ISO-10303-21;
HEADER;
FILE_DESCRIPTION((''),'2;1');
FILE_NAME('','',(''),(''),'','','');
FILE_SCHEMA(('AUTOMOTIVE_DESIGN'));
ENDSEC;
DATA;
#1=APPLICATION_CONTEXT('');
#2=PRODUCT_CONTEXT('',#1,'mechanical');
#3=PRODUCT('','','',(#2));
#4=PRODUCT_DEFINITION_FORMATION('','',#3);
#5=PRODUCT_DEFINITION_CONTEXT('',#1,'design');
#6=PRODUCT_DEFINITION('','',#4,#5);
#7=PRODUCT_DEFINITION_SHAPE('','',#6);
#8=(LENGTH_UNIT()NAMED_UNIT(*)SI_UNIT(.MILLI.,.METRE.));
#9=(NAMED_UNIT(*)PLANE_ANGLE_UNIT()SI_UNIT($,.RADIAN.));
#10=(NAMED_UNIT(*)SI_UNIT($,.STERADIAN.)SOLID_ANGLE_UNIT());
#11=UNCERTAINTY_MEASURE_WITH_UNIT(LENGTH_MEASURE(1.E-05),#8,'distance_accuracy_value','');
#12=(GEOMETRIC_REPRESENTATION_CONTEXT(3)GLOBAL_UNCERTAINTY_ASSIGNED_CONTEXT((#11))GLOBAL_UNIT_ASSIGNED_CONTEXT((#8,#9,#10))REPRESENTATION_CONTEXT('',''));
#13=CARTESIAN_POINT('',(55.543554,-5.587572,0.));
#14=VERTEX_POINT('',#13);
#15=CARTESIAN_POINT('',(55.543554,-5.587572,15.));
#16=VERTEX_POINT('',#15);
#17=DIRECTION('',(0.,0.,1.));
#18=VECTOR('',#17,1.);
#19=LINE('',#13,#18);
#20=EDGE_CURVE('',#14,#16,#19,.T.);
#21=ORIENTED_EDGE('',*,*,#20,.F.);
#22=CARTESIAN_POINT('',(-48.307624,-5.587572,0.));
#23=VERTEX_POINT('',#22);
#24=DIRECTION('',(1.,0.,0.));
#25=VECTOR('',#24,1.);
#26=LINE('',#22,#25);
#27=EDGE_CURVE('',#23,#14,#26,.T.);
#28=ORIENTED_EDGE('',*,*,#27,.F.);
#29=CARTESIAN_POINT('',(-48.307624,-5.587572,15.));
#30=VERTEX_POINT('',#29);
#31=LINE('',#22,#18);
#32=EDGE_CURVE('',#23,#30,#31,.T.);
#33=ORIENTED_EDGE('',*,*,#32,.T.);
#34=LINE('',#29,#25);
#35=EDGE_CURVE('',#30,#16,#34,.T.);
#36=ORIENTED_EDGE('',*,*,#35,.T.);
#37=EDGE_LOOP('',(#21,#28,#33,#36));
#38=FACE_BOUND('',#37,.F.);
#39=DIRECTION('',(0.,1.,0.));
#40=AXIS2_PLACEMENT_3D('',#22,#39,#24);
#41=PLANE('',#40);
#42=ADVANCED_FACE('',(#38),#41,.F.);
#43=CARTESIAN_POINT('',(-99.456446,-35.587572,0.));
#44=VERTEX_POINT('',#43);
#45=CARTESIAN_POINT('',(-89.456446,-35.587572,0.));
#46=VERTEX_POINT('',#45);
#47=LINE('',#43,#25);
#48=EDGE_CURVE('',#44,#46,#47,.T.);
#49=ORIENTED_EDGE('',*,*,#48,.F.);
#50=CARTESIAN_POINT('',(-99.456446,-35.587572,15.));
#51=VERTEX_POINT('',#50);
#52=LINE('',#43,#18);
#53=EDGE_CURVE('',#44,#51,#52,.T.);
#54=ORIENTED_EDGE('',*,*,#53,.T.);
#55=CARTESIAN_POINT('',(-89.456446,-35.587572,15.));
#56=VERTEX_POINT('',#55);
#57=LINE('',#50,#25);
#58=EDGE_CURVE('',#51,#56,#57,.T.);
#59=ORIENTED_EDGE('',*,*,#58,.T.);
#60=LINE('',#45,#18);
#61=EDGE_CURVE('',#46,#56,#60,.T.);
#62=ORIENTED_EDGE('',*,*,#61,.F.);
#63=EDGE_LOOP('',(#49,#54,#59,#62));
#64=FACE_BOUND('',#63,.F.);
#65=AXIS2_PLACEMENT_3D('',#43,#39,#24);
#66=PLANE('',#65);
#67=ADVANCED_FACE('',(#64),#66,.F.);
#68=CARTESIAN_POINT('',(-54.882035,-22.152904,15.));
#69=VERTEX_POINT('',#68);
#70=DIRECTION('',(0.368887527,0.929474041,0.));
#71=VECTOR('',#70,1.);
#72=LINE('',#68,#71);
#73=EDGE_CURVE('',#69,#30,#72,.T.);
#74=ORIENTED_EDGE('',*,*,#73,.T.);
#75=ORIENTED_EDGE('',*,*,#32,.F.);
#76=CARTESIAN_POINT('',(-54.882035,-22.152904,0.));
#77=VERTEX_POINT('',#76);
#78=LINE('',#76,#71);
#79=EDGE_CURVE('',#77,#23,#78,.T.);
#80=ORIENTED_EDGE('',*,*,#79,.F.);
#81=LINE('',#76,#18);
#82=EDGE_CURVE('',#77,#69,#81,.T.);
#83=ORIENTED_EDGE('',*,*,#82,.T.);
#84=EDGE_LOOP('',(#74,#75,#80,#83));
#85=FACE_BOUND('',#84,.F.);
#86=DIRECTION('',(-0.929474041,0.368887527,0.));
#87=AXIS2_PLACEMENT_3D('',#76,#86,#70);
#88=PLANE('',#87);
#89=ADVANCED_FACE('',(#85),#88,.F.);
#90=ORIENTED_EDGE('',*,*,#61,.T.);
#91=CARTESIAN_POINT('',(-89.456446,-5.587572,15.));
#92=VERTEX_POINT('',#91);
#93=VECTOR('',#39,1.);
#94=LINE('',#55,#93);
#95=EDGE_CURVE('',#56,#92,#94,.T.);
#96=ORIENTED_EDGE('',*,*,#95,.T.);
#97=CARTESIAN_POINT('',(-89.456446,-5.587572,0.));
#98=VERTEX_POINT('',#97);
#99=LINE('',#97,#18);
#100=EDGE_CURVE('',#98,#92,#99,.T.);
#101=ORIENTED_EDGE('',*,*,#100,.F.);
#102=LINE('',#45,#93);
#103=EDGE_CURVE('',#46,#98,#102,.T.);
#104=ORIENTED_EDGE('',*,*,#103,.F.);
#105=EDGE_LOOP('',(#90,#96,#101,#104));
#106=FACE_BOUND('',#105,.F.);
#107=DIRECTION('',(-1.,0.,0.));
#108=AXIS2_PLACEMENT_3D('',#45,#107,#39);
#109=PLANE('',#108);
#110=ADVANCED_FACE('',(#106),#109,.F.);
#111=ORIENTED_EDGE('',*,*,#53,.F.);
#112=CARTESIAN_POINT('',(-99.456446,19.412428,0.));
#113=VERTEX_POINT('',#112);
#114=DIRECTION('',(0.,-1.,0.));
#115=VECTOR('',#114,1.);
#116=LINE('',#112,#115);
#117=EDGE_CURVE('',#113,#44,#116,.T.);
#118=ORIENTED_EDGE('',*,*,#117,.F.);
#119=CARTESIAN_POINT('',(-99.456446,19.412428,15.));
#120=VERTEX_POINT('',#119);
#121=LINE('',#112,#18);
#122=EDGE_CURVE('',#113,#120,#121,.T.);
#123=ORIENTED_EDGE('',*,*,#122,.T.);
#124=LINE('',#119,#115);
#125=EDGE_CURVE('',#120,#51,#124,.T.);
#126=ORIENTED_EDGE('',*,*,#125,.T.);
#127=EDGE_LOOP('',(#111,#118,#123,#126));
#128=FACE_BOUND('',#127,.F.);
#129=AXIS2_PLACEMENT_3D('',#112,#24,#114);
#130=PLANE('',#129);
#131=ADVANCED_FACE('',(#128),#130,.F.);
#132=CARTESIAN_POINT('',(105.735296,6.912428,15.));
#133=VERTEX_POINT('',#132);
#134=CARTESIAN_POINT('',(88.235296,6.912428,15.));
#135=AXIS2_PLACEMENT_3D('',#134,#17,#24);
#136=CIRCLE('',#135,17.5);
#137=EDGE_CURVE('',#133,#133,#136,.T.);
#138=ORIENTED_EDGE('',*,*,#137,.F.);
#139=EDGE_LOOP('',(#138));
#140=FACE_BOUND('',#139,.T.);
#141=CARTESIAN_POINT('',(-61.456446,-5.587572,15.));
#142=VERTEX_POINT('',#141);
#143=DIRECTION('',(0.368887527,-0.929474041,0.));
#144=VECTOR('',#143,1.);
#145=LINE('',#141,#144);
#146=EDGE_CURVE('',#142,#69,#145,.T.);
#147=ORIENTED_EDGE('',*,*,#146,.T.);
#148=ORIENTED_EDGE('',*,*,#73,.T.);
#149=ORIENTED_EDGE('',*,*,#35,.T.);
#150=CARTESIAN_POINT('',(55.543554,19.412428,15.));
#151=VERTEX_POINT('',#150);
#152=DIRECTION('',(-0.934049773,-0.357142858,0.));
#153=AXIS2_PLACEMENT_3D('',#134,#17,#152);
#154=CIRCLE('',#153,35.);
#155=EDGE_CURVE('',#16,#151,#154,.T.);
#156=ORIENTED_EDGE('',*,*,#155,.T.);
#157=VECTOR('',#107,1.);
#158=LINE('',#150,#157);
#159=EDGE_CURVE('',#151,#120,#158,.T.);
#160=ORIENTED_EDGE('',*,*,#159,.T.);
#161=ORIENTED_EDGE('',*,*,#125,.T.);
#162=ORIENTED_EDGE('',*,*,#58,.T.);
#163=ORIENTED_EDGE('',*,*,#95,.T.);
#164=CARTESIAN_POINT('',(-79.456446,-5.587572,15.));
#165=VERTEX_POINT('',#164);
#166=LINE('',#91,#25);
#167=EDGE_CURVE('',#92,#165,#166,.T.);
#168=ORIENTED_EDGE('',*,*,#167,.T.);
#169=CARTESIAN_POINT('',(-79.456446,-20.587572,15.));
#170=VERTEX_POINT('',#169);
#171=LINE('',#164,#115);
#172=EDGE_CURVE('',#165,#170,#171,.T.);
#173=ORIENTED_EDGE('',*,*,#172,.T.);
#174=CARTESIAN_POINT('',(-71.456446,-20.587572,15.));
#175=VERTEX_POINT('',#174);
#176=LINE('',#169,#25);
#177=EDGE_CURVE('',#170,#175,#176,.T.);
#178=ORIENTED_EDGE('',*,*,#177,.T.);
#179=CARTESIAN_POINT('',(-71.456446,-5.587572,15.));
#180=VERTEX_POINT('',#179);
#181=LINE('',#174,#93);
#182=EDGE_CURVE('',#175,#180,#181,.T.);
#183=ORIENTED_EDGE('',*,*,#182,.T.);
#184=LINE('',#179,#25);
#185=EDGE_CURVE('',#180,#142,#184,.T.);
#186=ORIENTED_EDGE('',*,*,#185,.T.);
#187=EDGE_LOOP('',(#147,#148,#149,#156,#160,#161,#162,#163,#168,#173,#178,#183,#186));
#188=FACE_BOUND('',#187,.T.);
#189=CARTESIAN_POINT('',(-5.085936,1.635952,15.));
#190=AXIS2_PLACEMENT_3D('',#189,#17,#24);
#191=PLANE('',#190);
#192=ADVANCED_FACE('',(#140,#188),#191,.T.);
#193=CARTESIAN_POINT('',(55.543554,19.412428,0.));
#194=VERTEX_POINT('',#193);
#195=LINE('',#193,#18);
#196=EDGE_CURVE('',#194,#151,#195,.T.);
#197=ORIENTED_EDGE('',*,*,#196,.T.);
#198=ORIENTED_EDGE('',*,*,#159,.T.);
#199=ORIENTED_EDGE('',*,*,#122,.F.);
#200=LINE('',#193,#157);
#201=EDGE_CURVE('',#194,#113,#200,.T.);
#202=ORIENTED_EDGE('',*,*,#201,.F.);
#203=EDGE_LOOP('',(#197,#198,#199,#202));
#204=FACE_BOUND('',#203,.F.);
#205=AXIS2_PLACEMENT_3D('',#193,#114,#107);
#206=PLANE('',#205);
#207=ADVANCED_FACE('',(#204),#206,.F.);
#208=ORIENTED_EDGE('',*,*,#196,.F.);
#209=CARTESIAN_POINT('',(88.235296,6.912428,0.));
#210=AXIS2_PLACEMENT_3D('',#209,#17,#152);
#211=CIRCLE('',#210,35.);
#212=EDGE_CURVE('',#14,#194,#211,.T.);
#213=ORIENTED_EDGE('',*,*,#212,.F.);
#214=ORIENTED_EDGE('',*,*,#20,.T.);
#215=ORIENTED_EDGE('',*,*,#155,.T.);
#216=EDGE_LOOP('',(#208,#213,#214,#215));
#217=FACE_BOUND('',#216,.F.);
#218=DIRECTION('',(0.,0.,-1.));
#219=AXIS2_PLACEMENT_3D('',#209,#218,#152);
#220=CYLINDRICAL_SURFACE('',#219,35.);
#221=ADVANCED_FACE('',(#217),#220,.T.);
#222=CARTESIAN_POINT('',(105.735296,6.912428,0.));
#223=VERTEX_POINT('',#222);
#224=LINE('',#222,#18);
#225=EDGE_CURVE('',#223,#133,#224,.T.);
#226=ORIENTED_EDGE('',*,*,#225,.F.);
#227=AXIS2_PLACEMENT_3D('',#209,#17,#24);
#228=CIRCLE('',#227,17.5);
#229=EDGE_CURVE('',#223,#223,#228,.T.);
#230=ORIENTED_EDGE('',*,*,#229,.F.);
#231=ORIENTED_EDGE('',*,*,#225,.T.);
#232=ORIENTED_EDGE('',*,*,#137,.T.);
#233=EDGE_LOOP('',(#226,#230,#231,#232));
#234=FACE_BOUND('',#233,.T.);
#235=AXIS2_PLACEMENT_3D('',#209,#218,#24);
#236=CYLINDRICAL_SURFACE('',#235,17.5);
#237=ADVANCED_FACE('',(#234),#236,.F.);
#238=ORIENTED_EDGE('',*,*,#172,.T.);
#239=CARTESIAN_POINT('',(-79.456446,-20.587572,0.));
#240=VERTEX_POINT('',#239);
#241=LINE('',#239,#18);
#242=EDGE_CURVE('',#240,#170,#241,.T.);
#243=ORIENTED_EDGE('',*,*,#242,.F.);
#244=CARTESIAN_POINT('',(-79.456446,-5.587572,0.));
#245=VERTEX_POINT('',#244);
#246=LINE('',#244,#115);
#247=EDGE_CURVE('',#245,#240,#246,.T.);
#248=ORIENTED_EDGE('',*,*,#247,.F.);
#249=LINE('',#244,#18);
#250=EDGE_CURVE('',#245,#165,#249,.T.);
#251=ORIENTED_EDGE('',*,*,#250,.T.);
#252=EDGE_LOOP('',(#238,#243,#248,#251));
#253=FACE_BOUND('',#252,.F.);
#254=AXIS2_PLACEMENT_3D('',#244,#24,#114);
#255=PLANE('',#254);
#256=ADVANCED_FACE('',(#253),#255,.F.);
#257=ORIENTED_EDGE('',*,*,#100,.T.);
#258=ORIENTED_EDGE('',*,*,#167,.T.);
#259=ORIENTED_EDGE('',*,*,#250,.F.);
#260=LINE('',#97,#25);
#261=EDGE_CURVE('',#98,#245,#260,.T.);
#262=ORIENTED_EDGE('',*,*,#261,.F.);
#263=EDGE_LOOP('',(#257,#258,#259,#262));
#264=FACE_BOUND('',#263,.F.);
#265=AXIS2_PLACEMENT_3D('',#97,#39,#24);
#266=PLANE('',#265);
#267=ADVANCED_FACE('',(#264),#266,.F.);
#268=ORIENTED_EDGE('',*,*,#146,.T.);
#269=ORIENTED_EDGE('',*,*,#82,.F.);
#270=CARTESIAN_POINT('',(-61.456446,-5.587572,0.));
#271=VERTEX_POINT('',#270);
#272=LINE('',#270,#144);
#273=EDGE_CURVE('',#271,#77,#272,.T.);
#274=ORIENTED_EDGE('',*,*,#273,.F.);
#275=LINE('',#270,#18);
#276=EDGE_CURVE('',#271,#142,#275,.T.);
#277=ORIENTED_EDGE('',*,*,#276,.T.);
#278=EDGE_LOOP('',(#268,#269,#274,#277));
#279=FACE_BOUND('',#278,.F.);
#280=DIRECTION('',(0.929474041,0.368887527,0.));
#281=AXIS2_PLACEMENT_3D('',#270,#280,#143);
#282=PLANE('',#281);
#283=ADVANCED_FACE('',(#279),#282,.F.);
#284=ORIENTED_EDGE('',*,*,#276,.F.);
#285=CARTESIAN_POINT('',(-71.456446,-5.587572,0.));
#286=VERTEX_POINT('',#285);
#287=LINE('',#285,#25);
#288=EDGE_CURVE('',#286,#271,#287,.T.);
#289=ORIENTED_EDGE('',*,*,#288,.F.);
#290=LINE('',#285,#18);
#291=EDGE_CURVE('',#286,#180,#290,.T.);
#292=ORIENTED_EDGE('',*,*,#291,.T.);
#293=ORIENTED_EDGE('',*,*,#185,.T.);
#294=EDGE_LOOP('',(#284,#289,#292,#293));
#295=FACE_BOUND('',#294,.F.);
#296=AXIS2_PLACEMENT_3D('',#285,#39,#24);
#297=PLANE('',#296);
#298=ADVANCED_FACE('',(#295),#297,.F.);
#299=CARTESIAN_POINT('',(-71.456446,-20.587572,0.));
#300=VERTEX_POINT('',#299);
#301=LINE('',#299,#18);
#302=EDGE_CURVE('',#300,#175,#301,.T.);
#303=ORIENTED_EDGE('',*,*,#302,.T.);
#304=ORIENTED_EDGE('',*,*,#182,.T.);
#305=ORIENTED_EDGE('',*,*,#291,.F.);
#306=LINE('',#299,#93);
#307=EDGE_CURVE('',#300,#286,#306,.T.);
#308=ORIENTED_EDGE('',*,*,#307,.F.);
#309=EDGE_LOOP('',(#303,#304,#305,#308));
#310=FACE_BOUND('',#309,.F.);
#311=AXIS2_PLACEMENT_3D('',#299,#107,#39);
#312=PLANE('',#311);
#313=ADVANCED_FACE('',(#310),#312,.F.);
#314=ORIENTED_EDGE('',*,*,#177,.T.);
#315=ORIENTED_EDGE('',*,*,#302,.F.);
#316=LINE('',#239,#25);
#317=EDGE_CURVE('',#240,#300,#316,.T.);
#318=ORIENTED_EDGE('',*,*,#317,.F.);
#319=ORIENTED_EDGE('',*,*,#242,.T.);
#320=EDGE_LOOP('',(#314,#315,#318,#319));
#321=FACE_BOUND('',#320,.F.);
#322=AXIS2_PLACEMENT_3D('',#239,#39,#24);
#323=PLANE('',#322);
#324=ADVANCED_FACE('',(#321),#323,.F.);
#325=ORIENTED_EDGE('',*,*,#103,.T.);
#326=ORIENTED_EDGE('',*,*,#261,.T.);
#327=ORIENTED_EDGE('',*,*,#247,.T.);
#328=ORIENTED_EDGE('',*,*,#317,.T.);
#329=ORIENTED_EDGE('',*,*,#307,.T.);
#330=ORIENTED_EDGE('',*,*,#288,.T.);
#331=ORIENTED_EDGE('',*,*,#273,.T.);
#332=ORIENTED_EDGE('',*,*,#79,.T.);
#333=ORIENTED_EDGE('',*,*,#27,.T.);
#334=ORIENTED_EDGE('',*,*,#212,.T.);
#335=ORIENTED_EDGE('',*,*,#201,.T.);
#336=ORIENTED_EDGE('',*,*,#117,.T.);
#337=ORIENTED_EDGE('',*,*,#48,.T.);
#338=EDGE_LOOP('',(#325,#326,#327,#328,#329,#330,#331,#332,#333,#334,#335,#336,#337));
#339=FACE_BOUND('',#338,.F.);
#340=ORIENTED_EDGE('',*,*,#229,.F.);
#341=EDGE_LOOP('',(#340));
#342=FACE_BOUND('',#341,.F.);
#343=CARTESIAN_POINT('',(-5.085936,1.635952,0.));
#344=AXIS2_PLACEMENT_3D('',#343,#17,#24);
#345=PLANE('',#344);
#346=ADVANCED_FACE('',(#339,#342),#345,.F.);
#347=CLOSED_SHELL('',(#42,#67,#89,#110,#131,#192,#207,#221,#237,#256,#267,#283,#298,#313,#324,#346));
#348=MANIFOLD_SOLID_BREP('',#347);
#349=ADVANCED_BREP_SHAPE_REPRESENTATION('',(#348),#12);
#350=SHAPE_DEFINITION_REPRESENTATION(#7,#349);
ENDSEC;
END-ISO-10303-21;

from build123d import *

# Parameters (mm, degrees)
F0_R     = 17.5
F1_DEPTH = 15


with BuildPart() as f1:
    # F0 (on Top) → F1 (new body)
    with BuildSketch(Plane.XY):
        with BuildLine():
            Line((55.543554, 19.412428), (-99.456446, 19.412428))
            Line((-99.456446, 19.412428), (-99.456446, -5.587572))
            Line((-99.456446, -5.587572), (-99.456446, -35.587572))
            Line((-99.456446, -35.587572), (-89.456446, -35.587572))
            Line((-89.456446, -35.587572), (-89.456446, -5.587572))
            Line((-89.456446, -5.587572), (-79.456446, -5.587572))
            Line((-79.456446, -5.587572), (-79.456446, -20.587572))
            Line((-79.456446, -20.587572), (-71.456446, -20.587572))
            Line((-71.456446, -20.587572), (-71.456446, -5.587572))
            Line((-71.456446, -5.587572), (-61.456446, -5.587572))
            Line((-61.456446, -5.587572), (-54.882035, -22.152904))
            Line((-54.882035, -22.152904), (-48.307624, -5.587572))
            Line((-48.307624, -5.587572), (55.543554, -5.587572))
            ThreePointArc((55.543554, -5.587572), (123.235296, 6.912428), (55.543554, 19.412428))
        make_face()
        with Locations((88.235296, 6.912428)):
            Circle(F0_R, mode=Mode.SUBTRACT)
    extrude(amount=F1_DEPTH)


solid = f1.part
